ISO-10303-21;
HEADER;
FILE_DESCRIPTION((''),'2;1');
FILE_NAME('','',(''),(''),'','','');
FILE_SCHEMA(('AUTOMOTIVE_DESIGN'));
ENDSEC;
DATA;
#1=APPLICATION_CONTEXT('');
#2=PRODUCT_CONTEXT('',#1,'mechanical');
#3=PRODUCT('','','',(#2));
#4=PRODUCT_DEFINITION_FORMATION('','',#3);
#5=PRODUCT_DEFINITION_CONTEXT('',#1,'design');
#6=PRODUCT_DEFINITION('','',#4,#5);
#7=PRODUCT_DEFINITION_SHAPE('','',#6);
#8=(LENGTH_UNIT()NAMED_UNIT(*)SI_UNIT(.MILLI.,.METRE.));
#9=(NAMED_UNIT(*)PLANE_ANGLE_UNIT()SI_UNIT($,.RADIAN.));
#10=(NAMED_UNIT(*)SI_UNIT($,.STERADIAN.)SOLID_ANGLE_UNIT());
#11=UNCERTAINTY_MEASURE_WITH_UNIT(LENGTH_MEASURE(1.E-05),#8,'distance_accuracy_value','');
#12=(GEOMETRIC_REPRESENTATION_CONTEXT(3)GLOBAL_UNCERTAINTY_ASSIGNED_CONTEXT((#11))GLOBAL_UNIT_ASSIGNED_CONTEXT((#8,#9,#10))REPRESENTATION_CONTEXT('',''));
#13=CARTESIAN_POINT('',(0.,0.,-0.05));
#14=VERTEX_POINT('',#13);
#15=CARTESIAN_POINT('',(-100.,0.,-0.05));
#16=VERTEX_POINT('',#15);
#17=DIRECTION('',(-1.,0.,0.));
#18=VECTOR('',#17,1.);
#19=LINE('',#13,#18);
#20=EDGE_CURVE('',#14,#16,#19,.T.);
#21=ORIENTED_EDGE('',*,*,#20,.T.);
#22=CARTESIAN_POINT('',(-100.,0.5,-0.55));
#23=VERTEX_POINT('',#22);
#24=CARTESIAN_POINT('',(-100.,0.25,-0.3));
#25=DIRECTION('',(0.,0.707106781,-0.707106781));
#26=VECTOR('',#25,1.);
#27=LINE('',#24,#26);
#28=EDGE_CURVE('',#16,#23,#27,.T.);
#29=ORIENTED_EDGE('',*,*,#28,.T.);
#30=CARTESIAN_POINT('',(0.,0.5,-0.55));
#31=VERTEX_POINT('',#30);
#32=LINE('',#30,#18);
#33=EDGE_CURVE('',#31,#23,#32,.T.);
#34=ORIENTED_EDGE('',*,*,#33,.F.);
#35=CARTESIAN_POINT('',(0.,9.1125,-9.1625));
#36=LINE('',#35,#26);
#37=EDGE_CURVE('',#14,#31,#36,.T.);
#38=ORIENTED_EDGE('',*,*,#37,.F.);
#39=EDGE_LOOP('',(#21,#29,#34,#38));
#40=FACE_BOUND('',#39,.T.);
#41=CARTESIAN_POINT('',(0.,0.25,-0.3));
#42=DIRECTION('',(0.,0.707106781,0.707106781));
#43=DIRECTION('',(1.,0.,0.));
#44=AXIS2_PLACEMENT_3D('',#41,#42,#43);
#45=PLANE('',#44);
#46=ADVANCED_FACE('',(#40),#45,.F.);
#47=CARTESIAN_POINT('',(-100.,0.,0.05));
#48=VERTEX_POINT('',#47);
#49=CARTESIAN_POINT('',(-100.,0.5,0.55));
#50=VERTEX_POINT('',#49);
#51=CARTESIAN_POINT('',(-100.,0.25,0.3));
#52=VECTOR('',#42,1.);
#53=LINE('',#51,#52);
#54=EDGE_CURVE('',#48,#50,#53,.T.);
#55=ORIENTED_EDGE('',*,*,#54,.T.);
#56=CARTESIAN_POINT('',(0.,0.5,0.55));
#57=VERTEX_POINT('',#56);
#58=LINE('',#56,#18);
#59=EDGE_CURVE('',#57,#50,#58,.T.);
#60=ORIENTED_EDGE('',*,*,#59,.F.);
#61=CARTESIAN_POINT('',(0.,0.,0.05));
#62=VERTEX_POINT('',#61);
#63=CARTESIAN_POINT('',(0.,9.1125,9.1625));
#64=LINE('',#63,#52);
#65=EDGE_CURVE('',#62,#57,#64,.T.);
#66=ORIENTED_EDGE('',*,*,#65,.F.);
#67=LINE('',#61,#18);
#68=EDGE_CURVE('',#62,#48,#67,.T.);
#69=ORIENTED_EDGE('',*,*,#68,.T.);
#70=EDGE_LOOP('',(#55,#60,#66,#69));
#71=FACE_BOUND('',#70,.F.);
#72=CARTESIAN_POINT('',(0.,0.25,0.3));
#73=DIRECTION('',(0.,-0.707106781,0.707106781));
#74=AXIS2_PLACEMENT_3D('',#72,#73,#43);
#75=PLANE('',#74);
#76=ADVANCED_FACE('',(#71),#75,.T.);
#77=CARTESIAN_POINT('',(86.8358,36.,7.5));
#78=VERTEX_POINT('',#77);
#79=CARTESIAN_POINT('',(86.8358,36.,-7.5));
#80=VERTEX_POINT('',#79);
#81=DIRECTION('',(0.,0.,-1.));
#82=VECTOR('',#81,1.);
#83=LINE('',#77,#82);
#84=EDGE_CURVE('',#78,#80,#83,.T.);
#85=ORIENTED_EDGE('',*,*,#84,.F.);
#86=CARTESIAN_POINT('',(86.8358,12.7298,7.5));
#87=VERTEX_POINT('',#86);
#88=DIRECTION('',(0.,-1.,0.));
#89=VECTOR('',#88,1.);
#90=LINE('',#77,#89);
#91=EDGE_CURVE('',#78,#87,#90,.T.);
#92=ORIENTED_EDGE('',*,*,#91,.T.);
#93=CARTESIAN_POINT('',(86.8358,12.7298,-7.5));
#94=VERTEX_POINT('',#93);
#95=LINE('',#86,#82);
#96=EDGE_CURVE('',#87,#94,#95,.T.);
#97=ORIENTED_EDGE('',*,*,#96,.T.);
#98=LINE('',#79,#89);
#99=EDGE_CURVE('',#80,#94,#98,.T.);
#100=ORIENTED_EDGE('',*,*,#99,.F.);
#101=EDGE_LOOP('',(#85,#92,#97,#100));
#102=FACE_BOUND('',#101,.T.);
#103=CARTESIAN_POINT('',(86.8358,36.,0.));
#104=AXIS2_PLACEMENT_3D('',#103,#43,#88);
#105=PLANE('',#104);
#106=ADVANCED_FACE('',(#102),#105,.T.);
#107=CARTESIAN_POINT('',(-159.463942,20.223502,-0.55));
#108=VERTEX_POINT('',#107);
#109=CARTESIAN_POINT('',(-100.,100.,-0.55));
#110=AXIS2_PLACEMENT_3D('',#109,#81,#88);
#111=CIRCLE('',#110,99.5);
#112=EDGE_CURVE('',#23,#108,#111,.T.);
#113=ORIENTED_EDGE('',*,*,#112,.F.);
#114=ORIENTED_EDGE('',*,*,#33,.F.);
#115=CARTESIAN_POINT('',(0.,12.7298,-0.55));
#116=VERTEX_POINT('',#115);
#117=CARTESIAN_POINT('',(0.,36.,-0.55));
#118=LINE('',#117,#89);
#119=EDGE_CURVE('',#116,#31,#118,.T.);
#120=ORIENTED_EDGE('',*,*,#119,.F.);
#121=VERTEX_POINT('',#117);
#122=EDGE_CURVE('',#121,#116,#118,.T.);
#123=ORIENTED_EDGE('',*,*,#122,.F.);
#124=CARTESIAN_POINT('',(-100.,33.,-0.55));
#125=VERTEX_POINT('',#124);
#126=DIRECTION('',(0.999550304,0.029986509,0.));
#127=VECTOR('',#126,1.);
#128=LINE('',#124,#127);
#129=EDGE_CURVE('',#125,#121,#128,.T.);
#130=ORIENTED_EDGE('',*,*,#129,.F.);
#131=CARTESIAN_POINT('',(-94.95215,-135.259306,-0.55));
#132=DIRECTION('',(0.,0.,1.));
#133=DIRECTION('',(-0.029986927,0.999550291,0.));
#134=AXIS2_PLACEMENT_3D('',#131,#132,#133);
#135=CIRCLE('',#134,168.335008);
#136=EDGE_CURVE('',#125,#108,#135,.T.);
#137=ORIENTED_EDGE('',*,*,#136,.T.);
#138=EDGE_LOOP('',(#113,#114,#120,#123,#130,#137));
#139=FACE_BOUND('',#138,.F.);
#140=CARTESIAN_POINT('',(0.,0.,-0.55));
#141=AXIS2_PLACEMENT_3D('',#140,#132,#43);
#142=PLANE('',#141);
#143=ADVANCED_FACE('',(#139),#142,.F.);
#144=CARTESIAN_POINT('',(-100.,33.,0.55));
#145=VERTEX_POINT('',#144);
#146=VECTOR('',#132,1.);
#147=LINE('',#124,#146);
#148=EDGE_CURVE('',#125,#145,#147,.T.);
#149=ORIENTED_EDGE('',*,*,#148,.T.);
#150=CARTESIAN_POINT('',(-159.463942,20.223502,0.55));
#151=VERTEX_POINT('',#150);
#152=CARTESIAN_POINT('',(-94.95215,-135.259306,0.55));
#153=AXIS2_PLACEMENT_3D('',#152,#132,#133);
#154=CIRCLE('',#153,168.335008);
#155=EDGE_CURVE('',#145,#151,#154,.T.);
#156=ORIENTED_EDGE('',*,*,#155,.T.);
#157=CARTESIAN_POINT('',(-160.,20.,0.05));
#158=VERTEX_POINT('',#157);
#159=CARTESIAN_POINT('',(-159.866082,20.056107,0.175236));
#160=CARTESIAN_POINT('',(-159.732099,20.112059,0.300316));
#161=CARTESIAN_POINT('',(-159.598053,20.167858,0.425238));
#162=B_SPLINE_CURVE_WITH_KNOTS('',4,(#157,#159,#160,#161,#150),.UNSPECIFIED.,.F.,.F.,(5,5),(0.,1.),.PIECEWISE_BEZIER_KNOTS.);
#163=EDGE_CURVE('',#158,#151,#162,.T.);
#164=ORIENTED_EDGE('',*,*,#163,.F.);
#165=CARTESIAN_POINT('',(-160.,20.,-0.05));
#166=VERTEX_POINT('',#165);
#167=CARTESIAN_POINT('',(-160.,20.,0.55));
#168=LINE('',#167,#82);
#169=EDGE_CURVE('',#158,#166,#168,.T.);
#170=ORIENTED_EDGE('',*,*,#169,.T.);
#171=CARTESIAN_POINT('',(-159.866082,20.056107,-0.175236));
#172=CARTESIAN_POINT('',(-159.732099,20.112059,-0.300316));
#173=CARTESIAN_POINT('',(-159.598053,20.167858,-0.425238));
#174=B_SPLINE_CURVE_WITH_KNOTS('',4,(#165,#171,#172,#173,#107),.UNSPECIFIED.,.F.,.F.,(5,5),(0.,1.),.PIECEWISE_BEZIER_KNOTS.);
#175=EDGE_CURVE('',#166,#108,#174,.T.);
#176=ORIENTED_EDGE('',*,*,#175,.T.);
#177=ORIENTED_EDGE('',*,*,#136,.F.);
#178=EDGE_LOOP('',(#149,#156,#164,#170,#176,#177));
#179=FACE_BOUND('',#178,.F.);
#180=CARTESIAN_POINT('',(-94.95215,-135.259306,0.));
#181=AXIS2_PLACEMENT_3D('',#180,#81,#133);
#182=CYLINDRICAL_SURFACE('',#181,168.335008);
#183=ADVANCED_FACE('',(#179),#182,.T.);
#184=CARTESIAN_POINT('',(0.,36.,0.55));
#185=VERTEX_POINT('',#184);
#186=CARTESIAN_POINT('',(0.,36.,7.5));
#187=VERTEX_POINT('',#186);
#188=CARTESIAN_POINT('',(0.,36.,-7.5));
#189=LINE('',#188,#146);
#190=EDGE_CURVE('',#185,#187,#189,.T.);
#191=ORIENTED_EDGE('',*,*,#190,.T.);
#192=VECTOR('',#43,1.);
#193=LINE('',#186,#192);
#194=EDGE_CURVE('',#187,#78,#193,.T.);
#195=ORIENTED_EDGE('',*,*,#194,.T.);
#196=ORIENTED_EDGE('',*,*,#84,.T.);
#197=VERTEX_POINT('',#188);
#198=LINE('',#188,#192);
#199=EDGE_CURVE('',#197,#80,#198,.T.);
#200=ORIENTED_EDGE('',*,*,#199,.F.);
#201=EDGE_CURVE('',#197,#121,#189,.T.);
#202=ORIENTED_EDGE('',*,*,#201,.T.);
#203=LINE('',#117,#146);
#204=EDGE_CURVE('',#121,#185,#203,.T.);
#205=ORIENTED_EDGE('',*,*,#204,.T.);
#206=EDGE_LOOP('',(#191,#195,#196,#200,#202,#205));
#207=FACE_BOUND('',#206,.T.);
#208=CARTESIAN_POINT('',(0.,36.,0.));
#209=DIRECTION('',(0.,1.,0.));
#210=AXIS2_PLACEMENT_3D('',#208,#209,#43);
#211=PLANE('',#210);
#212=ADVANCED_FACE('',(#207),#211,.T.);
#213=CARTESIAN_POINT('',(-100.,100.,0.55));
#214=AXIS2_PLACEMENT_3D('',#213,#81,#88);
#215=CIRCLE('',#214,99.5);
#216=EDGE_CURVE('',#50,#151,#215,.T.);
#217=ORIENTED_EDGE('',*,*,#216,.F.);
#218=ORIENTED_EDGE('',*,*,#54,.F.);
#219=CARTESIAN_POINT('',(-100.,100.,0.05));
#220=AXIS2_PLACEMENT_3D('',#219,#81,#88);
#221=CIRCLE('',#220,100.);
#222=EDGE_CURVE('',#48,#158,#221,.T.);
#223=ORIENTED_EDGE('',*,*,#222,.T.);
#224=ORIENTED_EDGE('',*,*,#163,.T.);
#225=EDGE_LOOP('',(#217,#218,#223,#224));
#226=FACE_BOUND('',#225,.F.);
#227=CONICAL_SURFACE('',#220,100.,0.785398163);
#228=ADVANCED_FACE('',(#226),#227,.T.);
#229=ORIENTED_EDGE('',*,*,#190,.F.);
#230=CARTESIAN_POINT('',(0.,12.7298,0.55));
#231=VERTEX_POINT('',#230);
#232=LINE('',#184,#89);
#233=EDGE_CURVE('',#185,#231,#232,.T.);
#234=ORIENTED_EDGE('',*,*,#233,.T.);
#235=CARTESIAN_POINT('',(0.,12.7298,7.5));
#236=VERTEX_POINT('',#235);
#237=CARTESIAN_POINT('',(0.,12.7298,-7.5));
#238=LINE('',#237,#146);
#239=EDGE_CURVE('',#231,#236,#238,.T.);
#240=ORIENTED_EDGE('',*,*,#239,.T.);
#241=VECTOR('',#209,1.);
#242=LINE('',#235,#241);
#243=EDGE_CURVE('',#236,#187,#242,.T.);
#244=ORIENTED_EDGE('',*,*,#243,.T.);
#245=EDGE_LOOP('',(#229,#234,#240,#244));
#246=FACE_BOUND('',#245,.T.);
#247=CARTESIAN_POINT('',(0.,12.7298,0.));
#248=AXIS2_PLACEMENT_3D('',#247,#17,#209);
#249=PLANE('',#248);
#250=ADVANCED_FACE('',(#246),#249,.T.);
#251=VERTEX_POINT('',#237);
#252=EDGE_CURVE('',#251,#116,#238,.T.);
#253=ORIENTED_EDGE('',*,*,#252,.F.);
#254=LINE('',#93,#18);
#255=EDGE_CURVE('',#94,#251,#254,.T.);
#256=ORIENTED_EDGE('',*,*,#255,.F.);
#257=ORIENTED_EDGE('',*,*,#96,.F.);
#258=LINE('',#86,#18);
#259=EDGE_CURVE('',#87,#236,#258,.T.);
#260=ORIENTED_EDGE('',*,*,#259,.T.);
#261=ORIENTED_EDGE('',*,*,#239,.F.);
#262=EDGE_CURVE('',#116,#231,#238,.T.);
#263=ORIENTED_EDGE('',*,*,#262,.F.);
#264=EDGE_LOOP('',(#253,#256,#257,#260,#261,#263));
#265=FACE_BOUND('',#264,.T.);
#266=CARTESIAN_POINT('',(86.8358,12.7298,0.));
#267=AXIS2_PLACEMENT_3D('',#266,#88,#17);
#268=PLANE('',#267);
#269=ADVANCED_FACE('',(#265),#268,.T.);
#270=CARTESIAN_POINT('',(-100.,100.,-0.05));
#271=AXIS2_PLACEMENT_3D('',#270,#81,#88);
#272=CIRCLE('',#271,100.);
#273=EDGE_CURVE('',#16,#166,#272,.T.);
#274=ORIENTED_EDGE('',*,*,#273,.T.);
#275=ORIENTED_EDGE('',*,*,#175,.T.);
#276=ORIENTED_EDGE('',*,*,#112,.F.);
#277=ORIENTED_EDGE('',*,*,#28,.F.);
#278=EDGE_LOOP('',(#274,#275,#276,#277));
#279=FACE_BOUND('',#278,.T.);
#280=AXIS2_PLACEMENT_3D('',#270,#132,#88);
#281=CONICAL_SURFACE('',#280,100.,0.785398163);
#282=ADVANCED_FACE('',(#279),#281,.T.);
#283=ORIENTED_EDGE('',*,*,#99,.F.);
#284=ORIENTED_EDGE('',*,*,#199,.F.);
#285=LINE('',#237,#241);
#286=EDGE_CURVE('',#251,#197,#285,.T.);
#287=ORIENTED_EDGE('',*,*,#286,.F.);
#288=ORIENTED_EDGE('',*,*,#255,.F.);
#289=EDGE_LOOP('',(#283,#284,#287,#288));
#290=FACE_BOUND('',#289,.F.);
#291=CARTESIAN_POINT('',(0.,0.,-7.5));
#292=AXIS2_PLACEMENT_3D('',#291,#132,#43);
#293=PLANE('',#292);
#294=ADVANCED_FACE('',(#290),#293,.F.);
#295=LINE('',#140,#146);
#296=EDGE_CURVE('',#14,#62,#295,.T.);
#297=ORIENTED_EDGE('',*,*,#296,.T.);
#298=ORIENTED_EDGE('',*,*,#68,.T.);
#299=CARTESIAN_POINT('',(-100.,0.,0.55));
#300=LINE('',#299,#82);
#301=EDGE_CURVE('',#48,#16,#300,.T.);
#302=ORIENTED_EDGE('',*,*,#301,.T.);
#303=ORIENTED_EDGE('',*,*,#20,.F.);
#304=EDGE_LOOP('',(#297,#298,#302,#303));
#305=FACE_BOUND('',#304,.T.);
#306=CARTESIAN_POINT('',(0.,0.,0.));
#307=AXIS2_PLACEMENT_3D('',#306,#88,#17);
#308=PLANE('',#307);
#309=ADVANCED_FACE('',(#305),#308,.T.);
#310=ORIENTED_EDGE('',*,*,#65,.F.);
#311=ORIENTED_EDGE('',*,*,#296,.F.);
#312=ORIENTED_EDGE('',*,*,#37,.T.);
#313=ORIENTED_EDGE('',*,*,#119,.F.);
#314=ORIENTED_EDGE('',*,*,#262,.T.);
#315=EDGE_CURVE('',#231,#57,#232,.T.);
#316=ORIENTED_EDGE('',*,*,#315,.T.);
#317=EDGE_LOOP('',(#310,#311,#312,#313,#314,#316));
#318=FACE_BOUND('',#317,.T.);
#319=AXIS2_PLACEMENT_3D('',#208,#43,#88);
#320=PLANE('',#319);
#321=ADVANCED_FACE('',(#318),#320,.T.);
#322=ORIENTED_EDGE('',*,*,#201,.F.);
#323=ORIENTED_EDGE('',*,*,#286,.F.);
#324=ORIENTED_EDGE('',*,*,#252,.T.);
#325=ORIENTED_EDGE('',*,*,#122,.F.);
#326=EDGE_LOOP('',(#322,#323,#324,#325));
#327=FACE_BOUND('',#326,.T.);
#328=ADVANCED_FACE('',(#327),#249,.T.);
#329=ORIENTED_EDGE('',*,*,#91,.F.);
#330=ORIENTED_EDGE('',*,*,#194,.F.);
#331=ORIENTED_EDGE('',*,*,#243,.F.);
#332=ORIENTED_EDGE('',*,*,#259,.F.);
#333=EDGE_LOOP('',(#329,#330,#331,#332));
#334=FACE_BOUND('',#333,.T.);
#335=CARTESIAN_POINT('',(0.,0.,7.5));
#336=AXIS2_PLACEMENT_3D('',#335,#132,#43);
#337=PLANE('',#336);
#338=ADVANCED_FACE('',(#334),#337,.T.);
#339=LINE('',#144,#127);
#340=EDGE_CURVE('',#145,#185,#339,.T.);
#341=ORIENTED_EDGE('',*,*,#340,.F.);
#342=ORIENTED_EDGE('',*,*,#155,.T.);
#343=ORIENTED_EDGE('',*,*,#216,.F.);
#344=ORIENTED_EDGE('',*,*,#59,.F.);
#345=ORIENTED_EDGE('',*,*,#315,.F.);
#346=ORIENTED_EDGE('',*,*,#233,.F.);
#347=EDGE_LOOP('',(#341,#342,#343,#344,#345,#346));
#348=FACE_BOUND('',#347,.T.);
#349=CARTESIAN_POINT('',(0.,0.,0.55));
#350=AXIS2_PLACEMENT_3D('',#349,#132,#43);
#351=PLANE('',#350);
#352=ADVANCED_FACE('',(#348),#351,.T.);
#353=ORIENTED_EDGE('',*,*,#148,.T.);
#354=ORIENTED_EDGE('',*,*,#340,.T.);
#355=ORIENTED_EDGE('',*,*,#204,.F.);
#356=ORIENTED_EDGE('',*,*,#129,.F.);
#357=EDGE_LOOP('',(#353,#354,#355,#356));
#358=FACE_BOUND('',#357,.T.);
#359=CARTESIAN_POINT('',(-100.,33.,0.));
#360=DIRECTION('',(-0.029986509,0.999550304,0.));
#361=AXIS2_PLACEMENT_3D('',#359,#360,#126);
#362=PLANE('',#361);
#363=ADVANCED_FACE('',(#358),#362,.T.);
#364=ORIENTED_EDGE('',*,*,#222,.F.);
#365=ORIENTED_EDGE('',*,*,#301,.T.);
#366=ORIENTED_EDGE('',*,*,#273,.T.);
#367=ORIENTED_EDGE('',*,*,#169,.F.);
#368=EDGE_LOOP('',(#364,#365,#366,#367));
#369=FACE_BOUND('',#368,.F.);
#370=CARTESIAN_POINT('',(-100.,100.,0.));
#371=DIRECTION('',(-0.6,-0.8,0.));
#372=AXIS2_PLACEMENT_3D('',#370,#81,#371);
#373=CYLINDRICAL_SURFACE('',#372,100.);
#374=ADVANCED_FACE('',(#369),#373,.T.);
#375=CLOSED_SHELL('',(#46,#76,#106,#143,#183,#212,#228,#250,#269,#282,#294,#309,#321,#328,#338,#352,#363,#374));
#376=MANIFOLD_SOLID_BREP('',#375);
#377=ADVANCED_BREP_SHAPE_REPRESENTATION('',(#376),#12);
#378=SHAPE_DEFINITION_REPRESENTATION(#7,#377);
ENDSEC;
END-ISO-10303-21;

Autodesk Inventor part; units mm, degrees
ref_plane "YZ Plane" through (0, 0, 0) normal (1, 0, 0) x (0, 1, 0)
ref_plane "XZ Plane" through (0, 0, 0) normal (0, 1, 0) x (-1, 0, 0)
ref_plane "XY Plane" through (0, 0, 0) normal (0, 0, 1) x (1, 0, 0)
sketch "Sketch1" plane through (0, 0, 0) normal (0, 0, 1) x (1, 0, 0)
  line L0 (0, 0) -> (-100, 0)
  line L1 (-100, 0) -> (-100, 33) construction
  line L2 (-100, 33) -> (0, 36)
  line L3 (0, 36) -> (0, 0)
  arc A0 (-160, 20) -> (-100, 0) centre (-100, 100) ccw
  arc A1 (-100, 33) -> (-160, 20) centre (-94.9522, -135.2589) ccw
  dimension "d0" = 100
  dimension "d2" = 36
  dimension "d10" = 60
  dimension "d11" = 20
  dimension "d12" = 33
extrude "Extrusion1" add sketch "Sketch1" along normal mid plane 1.1
sketch "Sketch2" plane through (0, 0, 0) normal (0, 0, 1) x (1, 0, 0)
  line L0 (0, 36) -> (-160.3357, 31.1899) projected
  line L1 (0, 36) -> (86.8358, 36)
  line L2 (86.8358, 36) -> (86.8358, 12.7298)
  line L3 (86.8358, 12.7298) -> (0, 12.7298)
  line L4 (0, 12.7298) -> (0, 36)
  point P0 (0, 0)
  point P1 (-160, 20)
extrude "Extrusion2" add sketch "Sketch2" along normal mid plane 15
chamfer "Chamfer1" distance 0.5 angle 45 4 edges at (-50, 0, 0.55) (-131.6228, 5.1317, 0.55) (-50, 0, -0.55) (-131.6228, 5.1317, -0.55)
properties part number "Knife"
